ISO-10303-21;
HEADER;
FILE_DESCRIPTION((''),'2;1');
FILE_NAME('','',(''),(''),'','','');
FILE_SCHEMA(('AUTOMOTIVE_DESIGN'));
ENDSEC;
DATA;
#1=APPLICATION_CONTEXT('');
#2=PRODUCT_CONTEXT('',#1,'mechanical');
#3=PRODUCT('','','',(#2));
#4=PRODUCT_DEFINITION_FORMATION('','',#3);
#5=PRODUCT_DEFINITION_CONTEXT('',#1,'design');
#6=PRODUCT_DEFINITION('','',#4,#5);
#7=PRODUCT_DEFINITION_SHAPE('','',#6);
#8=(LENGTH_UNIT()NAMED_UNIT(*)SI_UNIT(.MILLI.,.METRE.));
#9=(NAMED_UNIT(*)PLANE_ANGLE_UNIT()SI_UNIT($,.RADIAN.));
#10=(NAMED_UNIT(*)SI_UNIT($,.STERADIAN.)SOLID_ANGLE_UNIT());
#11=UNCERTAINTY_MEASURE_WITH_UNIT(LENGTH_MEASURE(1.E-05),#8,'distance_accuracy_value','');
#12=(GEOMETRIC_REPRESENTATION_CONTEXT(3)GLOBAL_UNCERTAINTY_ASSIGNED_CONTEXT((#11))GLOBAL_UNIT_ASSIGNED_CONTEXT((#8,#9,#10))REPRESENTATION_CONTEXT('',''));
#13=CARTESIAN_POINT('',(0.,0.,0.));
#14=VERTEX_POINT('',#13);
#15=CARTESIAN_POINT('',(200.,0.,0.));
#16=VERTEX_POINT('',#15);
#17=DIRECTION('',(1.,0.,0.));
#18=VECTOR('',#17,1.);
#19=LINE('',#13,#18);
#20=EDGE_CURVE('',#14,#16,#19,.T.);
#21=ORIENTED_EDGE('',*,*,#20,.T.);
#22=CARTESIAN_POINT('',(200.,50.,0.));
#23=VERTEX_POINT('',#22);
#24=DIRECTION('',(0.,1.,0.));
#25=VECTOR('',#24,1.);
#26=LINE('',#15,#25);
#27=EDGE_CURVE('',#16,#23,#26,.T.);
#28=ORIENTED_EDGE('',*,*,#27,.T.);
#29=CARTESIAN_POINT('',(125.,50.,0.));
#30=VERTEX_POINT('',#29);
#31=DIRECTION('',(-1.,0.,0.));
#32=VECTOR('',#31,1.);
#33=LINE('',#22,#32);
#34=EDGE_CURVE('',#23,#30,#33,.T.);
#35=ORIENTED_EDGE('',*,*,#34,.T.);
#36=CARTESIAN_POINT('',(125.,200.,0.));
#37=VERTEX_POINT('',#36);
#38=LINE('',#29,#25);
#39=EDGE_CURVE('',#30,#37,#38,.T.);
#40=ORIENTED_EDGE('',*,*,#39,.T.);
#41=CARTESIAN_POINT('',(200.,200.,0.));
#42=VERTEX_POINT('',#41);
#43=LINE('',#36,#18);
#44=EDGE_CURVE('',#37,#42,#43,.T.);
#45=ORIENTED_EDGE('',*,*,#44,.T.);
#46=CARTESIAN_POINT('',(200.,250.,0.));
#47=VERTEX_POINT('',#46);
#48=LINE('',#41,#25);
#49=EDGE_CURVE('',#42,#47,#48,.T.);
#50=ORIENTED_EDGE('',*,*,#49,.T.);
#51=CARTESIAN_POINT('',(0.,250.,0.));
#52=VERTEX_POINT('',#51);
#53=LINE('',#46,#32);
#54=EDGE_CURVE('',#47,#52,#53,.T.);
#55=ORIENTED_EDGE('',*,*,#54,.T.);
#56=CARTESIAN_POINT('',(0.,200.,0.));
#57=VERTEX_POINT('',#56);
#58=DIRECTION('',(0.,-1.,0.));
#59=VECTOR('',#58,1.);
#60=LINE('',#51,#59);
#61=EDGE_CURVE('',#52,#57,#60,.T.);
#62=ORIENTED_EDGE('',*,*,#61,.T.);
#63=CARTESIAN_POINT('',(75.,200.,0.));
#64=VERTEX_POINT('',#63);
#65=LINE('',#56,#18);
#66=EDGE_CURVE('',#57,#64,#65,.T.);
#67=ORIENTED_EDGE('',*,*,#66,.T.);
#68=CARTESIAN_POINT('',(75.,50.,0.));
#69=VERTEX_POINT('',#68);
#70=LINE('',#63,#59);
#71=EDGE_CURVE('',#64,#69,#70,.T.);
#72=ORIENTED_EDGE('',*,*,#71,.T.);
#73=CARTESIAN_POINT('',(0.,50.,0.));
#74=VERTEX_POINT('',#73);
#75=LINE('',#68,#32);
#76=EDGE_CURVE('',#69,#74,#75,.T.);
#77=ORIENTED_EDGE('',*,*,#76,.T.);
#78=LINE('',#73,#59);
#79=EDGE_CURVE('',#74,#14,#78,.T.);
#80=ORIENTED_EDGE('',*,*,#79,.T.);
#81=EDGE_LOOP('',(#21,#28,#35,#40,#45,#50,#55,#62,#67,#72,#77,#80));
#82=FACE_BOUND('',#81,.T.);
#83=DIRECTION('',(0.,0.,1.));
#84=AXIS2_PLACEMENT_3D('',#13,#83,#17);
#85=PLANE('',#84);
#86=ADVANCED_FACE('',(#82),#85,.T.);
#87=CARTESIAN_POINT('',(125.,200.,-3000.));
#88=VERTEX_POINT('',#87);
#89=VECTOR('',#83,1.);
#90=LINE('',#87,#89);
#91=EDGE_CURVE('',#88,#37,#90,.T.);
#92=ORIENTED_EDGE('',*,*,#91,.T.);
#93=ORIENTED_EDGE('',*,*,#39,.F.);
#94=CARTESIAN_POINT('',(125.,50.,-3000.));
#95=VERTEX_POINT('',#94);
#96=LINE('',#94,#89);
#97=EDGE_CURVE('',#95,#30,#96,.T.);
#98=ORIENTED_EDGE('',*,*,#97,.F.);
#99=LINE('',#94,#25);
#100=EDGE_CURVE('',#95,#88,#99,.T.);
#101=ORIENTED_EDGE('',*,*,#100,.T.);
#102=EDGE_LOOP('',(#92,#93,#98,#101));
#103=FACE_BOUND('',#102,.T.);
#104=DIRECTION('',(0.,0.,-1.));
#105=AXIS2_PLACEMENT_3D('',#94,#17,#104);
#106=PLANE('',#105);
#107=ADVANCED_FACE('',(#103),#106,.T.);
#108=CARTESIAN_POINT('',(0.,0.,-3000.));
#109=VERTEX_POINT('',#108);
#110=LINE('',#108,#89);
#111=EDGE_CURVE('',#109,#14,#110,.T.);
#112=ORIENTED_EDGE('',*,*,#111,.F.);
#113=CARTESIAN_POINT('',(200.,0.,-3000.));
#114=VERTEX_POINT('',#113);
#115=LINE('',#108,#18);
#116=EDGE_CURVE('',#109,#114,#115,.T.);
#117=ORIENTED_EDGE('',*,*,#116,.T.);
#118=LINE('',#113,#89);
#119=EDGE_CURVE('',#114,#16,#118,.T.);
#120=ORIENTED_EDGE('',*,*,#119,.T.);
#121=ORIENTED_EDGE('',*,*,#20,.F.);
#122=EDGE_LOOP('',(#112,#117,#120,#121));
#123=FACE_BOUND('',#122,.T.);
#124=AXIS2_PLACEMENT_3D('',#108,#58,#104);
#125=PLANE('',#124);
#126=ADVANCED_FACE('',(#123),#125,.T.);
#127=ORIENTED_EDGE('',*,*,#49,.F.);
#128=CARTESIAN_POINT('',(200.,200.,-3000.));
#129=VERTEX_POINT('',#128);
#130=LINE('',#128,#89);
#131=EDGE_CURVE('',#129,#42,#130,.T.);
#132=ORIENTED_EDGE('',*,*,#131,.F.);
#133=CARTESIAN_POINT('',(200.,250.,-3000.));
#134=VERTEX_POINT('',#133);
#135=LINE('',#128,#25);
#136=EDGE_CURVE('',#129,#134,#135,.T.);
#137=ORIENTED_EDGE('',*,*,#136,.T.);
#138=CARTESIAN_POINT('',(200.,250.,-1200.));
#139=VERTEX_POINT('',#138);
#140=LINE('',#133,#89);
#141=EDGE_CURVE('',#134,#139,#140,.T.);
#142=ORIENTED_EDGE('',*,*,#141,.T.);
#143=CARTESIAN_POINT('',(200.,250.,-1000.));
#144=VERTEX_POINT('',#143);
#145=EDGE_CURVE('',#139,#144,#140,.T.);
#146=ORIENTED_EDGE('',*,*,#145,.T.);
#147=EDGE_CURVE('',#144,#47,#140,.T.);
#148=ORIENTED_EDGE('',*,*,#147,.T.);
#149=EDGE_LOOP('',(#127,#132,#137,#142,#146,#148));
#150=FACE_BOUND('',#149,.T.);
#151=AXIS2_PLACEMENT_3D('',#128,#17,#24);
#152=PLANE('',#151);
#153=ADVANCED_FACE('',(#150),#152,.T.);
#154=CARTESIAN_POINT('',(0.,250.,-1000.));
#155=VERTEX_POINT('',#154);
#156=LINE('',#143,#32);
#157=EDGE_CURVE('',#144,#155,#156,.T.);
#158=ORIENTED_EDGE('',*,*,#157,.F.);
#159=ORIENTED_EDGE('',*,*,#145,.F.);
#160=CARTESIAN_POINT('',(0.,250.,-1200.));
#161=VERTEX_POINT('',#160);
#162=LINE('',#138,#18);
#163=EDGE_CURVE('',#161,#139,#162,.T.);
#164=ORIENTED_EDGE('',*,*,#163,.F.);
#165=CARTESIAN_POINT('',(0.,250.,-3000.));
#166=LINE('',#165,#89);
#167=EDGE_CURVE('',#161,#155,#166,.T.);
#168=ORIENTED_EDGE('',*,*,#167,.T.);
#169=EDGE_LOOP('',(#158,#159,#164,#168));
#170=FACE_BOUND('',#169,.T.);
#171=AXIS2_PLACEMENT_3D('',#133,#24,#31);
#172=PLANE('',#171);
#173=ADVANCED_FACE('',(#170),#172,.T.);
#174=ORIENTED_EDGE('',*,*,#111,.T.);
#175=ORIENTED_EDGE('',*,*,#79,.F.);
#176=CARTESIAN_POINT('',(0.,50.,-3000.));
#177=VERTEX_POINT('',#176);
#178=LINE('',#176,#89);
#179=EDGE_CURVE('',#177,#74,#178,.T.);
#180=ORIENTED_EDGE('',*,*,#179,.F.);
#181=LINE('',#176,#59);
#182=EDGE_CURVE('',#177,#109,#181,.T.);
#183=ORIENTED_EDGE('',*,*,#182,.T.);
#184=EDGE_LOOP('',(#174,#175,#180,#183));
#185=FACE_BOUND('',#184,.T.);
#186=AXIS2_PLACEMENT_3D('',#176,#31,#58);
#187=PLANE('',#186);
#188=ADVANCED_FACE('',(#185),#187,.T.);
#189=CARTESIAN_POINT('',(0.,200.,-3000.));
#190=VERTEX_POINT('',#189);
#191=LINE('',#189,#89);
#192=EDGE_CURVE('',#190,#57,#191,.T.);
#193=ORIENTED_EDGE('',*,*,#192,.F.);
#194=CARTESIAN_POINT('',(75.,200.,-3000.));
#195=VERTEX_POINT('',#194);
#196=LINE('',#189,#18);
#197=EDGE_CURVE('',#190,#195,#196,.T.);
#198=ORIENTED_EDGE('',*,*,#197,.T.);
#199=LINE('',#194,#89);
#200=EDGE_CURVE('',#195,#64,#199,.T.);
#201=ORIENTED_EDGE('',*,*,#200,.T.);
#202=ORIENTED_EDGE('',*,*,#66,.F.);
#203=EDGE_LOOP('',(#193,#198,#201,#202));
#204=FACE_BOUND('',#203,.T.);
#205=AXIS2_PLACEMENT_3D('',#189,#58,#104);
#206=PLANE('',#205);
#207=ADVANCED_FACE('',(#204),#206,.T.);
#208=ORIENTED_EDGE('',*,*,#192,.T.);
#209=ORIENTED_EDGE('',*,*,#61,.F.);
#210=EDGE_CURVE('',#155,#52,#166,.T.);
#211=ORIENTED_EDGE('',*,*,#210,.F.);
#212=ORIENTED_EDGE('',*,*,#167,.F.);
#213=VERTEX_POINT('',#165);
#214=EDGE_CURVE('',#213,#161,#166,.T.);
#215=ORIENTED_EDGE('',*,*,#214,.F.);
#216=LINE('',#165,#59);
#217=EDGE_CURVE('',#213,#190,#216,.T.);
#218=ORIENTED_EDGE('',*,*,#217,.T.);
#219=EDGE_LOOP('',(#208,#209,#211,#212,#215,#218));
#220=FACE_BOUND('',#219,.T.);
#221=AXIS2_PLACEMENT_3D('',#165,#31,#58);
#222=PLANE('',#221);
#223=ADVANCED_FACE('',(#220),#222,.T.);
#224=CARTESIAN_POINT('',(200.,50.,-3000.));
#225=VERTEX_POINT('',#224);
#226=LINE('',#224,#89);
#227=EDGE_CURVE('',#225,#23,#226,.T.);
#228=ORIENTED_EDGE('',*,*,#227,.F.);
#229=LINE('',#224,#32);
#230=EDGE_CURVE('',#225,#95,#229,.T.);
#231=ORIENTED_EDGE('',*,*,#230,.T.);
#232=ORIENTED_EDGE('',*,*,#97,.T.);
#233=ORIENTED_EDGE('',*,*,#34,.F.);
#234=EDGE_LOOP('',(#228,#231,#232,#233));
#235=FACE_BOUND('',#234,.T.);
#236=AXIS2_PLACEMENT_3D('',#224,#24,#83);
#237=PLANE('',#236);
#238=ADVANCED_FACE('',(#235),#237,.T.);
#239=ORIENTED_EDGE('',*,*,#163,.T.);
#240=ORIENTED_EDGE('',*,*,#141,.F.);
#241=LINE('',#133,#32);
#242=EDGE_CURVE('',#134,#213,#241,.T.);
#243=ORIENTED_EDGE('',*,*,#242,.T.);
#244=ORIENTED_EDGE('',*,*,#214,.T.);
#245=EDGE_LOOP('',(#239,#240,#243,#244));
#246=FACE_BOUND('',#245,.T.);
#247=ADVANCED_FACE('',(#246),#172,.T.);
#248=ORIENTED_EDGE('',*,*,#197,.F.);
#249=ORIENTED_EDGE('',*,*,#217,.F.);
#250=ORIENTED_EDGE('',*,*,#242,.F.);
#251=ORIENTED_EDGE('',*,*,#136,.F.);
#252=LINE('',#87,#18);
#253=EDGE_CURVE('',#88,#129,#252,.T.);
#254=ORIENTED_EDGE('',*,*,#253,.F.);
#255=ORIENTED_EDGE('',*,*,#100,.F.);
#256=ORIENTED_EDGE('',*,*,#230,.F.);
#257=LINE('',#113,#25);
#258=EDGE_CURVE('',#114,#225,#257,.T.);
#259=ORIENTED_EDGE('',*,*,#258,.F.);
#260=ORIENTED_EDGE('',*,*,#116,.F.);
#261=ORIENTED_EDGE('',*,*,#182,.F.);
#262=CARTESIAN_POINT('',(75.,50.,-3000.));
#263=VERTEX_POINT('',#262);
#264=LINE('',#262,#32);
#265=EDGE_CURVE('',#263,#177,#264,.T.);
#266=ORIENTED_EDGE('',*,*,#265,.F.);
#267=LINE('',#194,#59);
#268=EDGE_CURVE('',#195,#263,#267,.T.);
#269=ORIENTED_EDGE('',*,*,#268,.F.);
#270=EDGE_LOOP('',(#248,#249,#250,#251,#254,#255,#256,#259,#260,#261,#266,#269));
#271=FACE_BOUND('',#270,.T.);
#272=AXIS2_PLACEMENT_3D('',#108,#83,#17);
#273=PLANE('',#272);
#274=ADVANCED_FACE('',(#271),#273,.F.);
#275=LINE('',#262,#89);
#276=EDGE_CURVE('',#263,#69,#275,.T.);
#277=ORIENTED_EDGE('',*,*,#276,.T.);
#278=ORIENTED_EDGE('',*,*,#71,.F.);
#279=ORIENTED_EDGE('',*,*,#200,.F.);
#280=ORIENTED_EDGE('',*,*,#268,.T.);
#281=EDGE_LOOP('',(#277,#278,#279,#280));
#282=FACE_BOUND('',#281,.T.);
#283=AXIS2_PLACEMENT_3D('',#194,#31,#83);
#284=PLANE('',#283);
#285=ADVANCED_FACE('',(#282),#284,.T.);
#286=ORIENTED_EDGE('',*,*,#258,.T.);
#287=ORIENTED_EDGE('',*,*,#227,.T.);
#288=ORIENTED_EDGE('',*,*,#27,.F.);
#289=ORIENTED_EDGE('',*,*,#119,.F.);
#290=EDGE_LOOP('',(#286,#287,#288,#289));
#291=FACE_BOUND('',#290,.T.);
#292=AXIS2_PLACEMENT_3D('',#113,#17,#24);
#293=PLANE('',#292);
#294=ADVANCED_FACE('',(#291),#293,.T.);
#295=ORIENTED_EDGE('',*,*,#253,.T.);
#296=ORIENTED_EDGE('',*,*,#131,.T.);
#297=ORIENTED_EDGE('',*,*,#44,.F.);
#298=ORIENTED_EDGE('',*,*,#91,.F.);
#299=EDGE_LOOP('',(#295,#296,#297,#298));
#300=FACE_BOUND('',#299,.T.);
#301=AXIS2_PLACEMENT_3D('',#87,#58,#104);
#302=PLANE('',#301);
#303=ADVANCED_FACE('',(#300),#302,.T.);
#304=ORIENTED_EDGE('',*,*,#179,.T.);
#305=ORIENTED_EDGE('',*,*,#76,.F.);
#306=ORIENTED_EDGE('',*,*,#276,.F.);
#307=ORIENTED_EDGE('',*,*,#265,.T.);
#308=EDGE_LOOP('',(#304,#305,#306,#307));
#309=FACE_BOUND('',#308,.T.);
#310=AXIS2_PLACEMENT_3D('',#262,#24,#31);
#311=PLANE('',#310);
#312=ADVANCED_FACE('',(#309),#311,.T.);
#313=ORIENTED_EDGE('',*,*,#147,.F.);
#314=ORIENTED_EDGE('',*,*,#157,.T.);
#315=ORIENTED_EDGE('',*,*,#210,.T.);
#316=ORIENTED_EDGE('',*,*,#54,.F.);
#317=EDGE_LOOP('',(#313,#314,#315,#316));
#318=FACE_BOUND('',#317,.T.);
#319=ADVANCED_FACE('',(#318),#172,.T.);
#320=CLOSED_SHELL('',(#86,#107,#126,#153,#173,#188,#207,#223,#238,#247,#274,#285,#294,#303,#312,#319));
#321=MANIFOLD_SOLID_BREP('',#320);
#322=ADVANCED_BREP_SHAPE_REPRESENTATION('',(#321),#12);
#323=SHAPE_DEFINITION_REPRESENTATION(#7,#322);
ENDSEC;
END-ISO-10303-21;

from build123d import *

# Parameters (mm, degrees)
DODANIE_WYCI_GNI_CIE1_DEPTH = 3000


with BuildPart() as part:
    # Szkic1 → Dodanie-wyciągnięcie1 (new body)
    with BuildSketch(Plane.XY):
        Polygon((0, 0), (200, 0), (200, 50), (125, 50), (125, 200), (200, 200), (200, 250), (0, 250), (0, 200), (75, 200), (75, 50), (0, 50), align=None)
    extrude(amount=-DODANIE_WYCI_GNI_CIE1_DEPTH)


solid = part.part
